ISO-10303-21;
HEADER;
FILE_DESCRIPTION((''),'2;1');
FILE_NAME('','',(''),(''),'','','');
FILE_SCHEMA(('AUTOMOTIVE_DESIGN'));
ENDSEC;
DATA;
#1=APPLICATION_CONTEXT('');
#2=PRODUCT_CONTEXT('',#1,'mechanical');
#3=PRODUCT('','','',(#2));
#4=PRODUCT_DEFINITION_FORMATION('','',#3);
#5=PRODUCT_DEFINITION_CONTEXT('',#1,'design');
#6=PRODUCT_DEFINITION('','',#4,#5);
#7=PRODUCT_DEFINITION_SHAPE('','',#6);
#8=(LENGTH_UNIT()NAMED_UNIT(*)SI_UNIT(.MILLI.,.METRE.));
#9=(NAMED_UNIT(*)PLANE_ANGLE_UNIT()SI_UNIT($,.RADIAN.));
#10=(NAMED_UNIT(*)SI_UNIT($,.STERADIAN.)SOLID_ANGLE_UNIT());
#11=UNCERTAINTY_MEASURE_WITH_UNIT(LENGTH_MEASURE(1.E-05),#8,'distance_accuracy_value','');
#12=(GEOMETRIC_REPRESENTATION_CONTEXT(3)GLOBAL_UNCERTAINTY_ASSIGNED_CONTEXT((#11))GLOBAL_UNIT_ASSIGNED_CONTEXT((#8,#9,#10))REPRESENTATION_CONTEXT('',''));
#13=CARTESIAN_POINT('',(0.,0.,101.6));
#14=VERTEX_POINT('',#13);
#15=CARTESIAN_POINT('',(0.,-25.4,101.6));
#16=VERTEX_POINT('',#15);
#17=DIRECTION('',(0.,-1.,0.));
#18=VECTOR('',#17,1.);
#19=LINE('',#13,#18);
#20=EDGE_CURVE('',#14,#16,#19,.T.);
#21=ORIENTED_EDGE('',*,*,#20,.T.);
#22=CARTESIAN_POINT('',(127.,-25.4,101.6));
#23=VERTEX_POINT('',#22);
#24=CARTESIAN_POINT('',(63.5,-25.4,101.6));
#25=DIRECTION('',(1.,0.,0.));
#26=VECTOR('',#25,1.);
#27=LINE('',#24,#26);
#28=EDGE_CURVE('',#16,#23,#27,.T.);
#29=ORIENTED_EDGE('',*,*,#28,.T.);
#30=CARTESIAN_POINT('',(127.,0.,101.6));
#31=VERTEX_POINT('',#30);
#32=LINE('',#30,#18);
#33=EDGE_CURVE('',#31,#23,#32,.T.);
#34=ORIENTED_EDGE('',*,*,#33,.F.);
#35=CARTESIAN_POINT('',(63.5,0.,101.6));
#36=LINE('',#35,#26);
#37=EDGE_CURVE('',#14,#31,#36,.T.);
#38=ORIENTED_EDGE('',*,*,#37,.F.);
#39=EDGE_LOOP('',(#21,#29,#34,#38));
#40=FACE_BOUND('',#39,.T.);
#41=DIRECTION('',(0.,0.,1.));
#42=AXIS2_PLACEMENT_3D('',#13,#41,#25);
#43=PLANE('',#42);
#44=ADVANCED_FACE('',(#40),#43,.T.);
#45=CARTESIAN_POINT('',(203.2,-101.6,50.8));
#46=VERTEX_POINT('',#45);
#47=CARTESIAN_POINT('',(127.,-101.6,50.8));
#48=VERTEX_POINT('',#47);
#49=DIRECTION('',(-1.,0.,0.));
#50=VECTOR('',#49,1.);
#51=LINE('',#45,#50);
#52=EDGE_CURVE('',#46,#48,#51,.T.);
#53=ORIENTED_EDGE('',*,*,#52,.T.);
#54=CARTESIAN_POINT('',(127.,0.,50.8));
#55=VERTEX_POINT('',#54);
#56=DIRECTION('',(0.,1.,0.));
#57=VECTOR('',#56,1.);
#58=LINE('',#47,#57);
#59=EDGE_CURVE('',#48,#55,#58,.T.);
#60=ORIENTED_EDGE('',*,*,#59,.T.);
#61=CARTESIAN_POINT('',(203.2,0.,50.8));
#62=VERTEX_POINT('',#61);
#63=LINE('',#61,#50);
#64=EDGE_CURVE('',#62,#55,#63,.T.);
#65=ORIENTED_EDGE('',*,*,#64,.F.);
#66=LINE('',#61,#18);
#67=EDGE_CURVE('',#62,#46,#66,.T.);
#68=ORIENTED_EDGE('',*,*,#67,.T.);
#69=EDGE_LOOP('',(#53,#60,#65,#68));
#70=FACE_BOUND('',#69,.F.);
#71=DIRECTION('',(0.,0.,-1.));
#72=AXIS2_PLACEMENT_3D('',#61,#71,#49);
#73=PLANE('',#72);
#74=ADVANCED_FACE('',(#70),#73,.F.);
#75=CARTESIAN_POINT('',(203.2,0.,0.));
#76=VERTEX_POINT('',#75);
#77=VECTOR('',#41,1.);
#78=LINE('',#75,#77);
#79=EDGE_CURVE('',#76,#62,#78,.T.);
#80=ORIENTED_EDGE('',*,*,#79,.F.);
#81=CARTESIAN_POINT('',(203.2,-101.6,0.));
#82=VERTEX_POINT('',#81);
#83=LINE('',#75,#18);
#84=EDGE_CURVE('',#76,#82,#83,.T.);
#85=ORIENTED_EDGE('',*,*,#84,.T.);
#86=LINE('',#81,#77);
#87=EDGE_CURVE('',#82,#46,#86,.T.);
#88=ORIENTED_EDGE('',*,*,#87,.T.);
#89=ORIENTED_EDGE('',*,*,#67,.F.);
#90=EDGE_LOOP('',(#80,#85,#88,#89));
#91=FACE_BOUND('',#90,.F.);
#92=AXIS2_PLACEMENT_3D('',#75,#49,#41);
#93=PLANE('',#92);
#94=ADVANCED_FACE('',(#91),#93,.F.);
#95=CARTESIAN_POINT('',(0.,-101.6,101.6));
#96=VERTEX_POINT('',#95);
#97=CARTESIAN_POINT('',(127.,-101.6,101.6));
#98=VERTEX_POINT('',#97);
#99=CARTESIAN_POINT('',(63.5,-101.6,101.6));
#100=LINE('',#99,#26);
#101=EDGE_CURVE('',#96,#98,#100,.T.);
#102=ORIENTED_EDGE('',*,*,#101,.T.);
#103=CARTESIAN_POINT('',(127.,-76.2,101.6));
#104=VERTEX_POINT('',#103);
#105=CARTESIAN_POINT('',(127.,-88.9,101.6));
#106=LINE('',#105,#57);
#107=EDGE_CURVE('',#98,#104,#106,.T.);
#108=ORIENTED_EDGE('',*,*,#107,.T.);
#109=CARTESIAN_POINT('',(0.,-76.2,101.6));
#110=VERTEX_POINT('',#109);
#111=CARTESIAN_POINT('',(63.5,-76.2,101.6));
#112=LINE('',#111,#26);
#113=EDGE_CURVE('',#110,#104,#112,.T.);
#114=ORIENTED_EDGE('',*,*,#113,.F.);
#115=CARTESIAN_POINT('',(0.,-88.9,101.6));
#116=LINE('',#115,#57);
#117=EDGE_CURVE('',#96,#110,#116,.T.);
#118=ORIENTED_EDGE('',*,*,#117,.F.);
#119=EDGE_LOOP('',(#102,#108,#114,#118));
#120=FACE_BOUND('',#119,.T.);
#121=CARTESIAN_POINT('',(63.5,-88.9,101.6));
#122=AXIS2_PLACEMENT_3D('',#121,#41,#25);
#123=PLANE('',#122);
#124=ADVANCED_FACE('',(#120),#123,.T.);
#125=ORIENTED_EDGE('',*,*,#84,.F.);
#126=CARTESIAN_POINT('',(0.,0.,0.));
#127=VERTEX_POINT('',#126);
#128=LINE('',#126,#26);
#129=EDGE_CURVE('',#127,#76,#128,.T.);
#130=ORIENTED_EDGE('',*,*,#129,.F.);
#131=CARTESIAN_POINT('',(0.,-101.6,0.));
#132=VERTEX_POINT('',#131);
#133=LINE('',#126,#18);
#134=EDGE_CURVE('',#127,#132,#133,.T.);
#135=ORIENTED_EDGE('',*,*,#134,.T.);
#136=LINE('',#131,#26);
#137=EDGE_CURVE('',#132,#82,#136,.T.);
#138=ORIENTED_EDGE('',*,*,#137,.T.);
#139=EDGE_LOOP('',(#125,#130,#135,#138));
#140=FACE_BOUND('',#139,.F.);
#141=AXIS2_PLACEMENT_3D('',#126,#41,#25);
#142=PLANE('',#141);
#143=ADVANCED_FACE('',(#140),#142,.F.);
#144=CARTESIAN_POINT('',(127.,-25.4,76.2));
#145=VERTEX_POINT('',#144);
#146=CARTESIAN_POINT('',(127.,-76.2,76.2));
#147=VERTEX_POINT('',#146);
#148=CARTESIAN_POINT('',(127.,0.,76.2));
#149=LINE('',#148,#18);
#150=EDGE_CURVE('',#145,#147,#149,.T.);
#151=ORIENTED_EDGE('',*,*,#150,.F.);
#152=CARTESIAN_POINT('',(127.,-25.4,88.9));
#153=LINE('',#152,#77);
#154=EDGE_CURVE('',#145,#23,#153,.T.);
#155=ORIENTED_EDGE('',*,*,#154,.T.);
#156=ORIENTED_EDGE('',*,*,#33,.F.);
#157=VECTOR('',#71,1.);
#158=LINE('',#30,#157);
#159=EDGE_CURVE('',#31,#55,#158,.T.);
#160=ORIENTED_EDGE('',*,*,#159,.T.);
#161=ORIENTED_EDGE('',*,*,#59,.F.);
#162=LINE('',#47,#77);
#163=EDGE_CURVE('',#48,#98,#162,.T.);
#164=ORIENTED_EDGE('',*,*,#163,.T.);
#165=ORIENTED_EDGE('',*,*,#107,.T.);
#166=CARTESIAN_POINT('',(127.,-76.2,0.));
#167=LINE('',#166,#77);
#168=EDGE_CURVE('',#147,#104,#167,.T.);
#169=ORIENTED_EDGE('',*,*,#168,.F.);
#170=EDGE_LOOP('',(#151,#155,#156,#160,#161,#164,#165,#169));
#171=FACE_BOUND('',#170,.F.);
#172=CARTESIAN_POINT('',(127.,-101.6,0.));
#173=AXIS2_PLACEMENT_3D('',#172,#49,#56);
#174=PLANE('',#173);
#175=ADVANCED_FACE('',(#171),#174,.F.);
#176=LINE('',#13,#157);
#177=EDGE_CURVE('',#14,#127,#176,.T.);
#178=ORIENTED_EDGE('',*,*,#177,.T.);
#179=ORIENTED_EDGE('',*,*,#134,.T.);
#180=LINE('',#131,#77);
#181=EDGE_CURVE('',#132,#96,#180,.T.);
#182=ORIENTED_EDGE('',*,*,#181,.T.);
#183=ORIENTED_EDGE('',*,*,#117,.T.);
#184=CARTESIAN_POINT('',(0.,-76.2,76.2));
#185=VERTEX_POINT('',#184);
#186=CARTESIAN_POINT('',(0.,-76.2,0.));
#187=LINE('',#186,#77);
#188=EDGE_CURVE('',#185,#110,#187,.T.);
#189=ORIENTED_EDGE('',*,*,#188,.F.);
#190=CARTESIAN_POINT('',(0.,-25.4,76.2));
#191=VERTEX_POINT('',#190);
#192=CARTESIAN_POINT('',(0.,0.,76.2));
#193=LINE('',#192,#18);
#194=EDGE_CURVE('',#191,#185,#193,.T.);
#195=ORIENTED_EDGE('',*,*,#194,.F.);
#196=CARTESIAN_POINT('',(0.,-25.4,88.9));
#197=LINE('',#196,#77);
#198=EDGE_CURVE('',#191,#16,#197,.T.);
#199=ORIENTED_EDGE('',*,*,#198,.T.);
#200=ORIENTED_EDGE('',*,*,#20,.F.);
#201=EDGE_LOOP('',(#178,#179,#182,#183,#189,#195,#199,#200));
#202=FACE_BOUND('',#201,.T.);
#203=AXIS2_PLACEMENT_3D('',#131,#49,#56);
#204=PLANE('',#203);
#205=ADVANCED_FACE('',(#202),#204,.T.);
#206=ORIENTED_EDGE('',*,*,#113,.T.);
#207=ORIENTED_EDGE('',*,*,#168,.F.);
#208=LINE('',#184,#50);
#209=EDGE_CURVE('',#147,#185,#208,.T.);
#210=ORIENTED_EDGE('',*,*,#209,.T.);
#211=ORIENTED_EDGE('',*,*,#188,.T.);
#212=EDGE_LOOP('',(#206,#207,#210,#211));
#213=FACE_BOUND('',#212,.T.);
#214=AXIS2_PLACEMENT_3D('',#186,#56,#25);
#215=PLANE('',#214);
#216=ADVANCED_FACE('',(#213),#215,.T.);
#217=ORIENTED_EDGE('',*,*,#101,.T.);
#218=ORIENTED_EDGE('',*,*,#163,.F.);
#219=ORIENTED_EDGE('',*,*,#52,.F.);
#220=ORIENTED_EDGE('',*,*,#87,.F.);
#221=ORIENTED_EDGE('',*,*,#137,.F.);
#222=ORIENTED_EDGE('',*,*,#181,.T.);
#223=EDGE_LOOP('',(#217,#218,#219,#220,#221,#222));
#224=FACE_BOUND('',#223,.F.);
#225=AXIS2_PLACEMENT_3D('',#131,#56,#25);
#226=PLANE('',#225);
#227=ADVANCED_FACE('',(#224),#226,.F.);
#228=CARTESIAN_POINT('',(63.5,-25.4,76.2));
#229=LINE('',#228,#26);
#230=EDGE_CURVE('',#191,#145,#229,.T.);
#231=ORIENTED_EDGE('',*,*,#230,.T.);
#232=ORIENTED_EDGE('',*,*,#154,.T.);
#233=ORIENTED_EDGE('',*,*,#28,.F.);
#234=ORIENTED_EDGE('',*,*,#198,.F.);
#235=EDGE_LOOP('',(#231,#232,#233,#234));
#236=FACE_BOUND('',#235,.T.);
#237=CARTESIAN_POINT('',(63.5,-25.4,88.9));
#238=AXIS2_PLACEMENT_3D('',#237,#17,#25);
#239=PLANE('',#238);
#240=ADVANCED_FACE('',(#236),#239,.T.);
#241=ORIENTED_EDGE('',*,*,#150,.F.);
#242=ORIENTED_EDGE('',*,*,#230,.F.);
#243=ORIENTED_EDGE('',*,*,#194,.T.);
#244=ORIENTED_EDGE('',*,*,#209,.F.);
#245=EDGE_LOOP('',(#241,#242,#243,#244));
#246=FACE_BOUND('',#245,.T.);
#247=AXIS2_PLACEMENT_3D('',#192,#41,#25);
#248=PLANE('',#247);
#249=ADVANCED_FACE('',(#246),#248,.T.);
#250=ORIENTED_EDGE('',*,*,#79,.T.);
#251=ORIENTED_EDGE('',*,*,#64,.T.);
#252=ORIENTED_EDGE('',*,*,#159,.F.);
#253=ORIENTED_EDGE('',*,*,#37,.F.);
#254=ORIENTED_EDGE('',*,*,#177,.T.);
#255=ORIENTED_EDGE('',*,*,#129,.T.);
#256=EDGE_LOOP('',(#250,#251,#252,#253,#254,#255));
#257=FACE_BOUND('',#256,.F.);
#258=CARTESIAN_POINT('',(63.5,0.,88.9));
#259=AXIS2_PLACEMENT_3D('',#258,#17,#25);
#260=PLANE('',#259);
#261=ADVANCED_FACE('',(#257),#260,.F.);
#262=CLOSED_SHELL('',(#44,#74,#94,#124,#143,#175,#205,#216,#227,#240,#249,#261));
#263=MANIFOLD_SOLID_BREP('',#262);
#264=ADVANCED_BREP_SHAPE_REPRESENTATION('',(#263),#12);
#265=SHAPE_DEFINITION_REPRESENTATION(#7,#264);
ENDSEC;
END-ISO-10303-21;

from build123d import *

# Parameters (mm, degrees)
F0_W     = 127
F0_H     = 25.4
F1_DEPTH = 101.6
F2_DEPTH = 25.4
F3_W     = 127
F3_H     = 25.4
F4_DEPTH = 101.6


with BuildPart() as f1:
    # F0 (on Front) → F1 (new body)
    with BuildSketch(Plane.XZ):
        Polygon((0, 50.8), (0, 0), (203.2, 0), (203.2, 50.8), (127, 50.8), align=None)
        with Locations((63.5, 63.5)):
            Rectangle(F0_W, F0_H)
    extrude(amount=F1_DEPTH)

    # F0 (on Front) → F2 (join)
    with BuildSketch(Plane.XZ):
        with Locations((63.5, 88.9)):
            Rectangle(F0_W, F0_H)
    extrude(amount=F2_DEPTH)

    # F3 (on Top) → F4 (join)
    with BuildSketch(Plane.XY):
        with Locations((63.5, -88.9)):
            Rectangle(F3_W, F3_H)
    extrude(amount=F4_DEPTH)


solid = f1.part
